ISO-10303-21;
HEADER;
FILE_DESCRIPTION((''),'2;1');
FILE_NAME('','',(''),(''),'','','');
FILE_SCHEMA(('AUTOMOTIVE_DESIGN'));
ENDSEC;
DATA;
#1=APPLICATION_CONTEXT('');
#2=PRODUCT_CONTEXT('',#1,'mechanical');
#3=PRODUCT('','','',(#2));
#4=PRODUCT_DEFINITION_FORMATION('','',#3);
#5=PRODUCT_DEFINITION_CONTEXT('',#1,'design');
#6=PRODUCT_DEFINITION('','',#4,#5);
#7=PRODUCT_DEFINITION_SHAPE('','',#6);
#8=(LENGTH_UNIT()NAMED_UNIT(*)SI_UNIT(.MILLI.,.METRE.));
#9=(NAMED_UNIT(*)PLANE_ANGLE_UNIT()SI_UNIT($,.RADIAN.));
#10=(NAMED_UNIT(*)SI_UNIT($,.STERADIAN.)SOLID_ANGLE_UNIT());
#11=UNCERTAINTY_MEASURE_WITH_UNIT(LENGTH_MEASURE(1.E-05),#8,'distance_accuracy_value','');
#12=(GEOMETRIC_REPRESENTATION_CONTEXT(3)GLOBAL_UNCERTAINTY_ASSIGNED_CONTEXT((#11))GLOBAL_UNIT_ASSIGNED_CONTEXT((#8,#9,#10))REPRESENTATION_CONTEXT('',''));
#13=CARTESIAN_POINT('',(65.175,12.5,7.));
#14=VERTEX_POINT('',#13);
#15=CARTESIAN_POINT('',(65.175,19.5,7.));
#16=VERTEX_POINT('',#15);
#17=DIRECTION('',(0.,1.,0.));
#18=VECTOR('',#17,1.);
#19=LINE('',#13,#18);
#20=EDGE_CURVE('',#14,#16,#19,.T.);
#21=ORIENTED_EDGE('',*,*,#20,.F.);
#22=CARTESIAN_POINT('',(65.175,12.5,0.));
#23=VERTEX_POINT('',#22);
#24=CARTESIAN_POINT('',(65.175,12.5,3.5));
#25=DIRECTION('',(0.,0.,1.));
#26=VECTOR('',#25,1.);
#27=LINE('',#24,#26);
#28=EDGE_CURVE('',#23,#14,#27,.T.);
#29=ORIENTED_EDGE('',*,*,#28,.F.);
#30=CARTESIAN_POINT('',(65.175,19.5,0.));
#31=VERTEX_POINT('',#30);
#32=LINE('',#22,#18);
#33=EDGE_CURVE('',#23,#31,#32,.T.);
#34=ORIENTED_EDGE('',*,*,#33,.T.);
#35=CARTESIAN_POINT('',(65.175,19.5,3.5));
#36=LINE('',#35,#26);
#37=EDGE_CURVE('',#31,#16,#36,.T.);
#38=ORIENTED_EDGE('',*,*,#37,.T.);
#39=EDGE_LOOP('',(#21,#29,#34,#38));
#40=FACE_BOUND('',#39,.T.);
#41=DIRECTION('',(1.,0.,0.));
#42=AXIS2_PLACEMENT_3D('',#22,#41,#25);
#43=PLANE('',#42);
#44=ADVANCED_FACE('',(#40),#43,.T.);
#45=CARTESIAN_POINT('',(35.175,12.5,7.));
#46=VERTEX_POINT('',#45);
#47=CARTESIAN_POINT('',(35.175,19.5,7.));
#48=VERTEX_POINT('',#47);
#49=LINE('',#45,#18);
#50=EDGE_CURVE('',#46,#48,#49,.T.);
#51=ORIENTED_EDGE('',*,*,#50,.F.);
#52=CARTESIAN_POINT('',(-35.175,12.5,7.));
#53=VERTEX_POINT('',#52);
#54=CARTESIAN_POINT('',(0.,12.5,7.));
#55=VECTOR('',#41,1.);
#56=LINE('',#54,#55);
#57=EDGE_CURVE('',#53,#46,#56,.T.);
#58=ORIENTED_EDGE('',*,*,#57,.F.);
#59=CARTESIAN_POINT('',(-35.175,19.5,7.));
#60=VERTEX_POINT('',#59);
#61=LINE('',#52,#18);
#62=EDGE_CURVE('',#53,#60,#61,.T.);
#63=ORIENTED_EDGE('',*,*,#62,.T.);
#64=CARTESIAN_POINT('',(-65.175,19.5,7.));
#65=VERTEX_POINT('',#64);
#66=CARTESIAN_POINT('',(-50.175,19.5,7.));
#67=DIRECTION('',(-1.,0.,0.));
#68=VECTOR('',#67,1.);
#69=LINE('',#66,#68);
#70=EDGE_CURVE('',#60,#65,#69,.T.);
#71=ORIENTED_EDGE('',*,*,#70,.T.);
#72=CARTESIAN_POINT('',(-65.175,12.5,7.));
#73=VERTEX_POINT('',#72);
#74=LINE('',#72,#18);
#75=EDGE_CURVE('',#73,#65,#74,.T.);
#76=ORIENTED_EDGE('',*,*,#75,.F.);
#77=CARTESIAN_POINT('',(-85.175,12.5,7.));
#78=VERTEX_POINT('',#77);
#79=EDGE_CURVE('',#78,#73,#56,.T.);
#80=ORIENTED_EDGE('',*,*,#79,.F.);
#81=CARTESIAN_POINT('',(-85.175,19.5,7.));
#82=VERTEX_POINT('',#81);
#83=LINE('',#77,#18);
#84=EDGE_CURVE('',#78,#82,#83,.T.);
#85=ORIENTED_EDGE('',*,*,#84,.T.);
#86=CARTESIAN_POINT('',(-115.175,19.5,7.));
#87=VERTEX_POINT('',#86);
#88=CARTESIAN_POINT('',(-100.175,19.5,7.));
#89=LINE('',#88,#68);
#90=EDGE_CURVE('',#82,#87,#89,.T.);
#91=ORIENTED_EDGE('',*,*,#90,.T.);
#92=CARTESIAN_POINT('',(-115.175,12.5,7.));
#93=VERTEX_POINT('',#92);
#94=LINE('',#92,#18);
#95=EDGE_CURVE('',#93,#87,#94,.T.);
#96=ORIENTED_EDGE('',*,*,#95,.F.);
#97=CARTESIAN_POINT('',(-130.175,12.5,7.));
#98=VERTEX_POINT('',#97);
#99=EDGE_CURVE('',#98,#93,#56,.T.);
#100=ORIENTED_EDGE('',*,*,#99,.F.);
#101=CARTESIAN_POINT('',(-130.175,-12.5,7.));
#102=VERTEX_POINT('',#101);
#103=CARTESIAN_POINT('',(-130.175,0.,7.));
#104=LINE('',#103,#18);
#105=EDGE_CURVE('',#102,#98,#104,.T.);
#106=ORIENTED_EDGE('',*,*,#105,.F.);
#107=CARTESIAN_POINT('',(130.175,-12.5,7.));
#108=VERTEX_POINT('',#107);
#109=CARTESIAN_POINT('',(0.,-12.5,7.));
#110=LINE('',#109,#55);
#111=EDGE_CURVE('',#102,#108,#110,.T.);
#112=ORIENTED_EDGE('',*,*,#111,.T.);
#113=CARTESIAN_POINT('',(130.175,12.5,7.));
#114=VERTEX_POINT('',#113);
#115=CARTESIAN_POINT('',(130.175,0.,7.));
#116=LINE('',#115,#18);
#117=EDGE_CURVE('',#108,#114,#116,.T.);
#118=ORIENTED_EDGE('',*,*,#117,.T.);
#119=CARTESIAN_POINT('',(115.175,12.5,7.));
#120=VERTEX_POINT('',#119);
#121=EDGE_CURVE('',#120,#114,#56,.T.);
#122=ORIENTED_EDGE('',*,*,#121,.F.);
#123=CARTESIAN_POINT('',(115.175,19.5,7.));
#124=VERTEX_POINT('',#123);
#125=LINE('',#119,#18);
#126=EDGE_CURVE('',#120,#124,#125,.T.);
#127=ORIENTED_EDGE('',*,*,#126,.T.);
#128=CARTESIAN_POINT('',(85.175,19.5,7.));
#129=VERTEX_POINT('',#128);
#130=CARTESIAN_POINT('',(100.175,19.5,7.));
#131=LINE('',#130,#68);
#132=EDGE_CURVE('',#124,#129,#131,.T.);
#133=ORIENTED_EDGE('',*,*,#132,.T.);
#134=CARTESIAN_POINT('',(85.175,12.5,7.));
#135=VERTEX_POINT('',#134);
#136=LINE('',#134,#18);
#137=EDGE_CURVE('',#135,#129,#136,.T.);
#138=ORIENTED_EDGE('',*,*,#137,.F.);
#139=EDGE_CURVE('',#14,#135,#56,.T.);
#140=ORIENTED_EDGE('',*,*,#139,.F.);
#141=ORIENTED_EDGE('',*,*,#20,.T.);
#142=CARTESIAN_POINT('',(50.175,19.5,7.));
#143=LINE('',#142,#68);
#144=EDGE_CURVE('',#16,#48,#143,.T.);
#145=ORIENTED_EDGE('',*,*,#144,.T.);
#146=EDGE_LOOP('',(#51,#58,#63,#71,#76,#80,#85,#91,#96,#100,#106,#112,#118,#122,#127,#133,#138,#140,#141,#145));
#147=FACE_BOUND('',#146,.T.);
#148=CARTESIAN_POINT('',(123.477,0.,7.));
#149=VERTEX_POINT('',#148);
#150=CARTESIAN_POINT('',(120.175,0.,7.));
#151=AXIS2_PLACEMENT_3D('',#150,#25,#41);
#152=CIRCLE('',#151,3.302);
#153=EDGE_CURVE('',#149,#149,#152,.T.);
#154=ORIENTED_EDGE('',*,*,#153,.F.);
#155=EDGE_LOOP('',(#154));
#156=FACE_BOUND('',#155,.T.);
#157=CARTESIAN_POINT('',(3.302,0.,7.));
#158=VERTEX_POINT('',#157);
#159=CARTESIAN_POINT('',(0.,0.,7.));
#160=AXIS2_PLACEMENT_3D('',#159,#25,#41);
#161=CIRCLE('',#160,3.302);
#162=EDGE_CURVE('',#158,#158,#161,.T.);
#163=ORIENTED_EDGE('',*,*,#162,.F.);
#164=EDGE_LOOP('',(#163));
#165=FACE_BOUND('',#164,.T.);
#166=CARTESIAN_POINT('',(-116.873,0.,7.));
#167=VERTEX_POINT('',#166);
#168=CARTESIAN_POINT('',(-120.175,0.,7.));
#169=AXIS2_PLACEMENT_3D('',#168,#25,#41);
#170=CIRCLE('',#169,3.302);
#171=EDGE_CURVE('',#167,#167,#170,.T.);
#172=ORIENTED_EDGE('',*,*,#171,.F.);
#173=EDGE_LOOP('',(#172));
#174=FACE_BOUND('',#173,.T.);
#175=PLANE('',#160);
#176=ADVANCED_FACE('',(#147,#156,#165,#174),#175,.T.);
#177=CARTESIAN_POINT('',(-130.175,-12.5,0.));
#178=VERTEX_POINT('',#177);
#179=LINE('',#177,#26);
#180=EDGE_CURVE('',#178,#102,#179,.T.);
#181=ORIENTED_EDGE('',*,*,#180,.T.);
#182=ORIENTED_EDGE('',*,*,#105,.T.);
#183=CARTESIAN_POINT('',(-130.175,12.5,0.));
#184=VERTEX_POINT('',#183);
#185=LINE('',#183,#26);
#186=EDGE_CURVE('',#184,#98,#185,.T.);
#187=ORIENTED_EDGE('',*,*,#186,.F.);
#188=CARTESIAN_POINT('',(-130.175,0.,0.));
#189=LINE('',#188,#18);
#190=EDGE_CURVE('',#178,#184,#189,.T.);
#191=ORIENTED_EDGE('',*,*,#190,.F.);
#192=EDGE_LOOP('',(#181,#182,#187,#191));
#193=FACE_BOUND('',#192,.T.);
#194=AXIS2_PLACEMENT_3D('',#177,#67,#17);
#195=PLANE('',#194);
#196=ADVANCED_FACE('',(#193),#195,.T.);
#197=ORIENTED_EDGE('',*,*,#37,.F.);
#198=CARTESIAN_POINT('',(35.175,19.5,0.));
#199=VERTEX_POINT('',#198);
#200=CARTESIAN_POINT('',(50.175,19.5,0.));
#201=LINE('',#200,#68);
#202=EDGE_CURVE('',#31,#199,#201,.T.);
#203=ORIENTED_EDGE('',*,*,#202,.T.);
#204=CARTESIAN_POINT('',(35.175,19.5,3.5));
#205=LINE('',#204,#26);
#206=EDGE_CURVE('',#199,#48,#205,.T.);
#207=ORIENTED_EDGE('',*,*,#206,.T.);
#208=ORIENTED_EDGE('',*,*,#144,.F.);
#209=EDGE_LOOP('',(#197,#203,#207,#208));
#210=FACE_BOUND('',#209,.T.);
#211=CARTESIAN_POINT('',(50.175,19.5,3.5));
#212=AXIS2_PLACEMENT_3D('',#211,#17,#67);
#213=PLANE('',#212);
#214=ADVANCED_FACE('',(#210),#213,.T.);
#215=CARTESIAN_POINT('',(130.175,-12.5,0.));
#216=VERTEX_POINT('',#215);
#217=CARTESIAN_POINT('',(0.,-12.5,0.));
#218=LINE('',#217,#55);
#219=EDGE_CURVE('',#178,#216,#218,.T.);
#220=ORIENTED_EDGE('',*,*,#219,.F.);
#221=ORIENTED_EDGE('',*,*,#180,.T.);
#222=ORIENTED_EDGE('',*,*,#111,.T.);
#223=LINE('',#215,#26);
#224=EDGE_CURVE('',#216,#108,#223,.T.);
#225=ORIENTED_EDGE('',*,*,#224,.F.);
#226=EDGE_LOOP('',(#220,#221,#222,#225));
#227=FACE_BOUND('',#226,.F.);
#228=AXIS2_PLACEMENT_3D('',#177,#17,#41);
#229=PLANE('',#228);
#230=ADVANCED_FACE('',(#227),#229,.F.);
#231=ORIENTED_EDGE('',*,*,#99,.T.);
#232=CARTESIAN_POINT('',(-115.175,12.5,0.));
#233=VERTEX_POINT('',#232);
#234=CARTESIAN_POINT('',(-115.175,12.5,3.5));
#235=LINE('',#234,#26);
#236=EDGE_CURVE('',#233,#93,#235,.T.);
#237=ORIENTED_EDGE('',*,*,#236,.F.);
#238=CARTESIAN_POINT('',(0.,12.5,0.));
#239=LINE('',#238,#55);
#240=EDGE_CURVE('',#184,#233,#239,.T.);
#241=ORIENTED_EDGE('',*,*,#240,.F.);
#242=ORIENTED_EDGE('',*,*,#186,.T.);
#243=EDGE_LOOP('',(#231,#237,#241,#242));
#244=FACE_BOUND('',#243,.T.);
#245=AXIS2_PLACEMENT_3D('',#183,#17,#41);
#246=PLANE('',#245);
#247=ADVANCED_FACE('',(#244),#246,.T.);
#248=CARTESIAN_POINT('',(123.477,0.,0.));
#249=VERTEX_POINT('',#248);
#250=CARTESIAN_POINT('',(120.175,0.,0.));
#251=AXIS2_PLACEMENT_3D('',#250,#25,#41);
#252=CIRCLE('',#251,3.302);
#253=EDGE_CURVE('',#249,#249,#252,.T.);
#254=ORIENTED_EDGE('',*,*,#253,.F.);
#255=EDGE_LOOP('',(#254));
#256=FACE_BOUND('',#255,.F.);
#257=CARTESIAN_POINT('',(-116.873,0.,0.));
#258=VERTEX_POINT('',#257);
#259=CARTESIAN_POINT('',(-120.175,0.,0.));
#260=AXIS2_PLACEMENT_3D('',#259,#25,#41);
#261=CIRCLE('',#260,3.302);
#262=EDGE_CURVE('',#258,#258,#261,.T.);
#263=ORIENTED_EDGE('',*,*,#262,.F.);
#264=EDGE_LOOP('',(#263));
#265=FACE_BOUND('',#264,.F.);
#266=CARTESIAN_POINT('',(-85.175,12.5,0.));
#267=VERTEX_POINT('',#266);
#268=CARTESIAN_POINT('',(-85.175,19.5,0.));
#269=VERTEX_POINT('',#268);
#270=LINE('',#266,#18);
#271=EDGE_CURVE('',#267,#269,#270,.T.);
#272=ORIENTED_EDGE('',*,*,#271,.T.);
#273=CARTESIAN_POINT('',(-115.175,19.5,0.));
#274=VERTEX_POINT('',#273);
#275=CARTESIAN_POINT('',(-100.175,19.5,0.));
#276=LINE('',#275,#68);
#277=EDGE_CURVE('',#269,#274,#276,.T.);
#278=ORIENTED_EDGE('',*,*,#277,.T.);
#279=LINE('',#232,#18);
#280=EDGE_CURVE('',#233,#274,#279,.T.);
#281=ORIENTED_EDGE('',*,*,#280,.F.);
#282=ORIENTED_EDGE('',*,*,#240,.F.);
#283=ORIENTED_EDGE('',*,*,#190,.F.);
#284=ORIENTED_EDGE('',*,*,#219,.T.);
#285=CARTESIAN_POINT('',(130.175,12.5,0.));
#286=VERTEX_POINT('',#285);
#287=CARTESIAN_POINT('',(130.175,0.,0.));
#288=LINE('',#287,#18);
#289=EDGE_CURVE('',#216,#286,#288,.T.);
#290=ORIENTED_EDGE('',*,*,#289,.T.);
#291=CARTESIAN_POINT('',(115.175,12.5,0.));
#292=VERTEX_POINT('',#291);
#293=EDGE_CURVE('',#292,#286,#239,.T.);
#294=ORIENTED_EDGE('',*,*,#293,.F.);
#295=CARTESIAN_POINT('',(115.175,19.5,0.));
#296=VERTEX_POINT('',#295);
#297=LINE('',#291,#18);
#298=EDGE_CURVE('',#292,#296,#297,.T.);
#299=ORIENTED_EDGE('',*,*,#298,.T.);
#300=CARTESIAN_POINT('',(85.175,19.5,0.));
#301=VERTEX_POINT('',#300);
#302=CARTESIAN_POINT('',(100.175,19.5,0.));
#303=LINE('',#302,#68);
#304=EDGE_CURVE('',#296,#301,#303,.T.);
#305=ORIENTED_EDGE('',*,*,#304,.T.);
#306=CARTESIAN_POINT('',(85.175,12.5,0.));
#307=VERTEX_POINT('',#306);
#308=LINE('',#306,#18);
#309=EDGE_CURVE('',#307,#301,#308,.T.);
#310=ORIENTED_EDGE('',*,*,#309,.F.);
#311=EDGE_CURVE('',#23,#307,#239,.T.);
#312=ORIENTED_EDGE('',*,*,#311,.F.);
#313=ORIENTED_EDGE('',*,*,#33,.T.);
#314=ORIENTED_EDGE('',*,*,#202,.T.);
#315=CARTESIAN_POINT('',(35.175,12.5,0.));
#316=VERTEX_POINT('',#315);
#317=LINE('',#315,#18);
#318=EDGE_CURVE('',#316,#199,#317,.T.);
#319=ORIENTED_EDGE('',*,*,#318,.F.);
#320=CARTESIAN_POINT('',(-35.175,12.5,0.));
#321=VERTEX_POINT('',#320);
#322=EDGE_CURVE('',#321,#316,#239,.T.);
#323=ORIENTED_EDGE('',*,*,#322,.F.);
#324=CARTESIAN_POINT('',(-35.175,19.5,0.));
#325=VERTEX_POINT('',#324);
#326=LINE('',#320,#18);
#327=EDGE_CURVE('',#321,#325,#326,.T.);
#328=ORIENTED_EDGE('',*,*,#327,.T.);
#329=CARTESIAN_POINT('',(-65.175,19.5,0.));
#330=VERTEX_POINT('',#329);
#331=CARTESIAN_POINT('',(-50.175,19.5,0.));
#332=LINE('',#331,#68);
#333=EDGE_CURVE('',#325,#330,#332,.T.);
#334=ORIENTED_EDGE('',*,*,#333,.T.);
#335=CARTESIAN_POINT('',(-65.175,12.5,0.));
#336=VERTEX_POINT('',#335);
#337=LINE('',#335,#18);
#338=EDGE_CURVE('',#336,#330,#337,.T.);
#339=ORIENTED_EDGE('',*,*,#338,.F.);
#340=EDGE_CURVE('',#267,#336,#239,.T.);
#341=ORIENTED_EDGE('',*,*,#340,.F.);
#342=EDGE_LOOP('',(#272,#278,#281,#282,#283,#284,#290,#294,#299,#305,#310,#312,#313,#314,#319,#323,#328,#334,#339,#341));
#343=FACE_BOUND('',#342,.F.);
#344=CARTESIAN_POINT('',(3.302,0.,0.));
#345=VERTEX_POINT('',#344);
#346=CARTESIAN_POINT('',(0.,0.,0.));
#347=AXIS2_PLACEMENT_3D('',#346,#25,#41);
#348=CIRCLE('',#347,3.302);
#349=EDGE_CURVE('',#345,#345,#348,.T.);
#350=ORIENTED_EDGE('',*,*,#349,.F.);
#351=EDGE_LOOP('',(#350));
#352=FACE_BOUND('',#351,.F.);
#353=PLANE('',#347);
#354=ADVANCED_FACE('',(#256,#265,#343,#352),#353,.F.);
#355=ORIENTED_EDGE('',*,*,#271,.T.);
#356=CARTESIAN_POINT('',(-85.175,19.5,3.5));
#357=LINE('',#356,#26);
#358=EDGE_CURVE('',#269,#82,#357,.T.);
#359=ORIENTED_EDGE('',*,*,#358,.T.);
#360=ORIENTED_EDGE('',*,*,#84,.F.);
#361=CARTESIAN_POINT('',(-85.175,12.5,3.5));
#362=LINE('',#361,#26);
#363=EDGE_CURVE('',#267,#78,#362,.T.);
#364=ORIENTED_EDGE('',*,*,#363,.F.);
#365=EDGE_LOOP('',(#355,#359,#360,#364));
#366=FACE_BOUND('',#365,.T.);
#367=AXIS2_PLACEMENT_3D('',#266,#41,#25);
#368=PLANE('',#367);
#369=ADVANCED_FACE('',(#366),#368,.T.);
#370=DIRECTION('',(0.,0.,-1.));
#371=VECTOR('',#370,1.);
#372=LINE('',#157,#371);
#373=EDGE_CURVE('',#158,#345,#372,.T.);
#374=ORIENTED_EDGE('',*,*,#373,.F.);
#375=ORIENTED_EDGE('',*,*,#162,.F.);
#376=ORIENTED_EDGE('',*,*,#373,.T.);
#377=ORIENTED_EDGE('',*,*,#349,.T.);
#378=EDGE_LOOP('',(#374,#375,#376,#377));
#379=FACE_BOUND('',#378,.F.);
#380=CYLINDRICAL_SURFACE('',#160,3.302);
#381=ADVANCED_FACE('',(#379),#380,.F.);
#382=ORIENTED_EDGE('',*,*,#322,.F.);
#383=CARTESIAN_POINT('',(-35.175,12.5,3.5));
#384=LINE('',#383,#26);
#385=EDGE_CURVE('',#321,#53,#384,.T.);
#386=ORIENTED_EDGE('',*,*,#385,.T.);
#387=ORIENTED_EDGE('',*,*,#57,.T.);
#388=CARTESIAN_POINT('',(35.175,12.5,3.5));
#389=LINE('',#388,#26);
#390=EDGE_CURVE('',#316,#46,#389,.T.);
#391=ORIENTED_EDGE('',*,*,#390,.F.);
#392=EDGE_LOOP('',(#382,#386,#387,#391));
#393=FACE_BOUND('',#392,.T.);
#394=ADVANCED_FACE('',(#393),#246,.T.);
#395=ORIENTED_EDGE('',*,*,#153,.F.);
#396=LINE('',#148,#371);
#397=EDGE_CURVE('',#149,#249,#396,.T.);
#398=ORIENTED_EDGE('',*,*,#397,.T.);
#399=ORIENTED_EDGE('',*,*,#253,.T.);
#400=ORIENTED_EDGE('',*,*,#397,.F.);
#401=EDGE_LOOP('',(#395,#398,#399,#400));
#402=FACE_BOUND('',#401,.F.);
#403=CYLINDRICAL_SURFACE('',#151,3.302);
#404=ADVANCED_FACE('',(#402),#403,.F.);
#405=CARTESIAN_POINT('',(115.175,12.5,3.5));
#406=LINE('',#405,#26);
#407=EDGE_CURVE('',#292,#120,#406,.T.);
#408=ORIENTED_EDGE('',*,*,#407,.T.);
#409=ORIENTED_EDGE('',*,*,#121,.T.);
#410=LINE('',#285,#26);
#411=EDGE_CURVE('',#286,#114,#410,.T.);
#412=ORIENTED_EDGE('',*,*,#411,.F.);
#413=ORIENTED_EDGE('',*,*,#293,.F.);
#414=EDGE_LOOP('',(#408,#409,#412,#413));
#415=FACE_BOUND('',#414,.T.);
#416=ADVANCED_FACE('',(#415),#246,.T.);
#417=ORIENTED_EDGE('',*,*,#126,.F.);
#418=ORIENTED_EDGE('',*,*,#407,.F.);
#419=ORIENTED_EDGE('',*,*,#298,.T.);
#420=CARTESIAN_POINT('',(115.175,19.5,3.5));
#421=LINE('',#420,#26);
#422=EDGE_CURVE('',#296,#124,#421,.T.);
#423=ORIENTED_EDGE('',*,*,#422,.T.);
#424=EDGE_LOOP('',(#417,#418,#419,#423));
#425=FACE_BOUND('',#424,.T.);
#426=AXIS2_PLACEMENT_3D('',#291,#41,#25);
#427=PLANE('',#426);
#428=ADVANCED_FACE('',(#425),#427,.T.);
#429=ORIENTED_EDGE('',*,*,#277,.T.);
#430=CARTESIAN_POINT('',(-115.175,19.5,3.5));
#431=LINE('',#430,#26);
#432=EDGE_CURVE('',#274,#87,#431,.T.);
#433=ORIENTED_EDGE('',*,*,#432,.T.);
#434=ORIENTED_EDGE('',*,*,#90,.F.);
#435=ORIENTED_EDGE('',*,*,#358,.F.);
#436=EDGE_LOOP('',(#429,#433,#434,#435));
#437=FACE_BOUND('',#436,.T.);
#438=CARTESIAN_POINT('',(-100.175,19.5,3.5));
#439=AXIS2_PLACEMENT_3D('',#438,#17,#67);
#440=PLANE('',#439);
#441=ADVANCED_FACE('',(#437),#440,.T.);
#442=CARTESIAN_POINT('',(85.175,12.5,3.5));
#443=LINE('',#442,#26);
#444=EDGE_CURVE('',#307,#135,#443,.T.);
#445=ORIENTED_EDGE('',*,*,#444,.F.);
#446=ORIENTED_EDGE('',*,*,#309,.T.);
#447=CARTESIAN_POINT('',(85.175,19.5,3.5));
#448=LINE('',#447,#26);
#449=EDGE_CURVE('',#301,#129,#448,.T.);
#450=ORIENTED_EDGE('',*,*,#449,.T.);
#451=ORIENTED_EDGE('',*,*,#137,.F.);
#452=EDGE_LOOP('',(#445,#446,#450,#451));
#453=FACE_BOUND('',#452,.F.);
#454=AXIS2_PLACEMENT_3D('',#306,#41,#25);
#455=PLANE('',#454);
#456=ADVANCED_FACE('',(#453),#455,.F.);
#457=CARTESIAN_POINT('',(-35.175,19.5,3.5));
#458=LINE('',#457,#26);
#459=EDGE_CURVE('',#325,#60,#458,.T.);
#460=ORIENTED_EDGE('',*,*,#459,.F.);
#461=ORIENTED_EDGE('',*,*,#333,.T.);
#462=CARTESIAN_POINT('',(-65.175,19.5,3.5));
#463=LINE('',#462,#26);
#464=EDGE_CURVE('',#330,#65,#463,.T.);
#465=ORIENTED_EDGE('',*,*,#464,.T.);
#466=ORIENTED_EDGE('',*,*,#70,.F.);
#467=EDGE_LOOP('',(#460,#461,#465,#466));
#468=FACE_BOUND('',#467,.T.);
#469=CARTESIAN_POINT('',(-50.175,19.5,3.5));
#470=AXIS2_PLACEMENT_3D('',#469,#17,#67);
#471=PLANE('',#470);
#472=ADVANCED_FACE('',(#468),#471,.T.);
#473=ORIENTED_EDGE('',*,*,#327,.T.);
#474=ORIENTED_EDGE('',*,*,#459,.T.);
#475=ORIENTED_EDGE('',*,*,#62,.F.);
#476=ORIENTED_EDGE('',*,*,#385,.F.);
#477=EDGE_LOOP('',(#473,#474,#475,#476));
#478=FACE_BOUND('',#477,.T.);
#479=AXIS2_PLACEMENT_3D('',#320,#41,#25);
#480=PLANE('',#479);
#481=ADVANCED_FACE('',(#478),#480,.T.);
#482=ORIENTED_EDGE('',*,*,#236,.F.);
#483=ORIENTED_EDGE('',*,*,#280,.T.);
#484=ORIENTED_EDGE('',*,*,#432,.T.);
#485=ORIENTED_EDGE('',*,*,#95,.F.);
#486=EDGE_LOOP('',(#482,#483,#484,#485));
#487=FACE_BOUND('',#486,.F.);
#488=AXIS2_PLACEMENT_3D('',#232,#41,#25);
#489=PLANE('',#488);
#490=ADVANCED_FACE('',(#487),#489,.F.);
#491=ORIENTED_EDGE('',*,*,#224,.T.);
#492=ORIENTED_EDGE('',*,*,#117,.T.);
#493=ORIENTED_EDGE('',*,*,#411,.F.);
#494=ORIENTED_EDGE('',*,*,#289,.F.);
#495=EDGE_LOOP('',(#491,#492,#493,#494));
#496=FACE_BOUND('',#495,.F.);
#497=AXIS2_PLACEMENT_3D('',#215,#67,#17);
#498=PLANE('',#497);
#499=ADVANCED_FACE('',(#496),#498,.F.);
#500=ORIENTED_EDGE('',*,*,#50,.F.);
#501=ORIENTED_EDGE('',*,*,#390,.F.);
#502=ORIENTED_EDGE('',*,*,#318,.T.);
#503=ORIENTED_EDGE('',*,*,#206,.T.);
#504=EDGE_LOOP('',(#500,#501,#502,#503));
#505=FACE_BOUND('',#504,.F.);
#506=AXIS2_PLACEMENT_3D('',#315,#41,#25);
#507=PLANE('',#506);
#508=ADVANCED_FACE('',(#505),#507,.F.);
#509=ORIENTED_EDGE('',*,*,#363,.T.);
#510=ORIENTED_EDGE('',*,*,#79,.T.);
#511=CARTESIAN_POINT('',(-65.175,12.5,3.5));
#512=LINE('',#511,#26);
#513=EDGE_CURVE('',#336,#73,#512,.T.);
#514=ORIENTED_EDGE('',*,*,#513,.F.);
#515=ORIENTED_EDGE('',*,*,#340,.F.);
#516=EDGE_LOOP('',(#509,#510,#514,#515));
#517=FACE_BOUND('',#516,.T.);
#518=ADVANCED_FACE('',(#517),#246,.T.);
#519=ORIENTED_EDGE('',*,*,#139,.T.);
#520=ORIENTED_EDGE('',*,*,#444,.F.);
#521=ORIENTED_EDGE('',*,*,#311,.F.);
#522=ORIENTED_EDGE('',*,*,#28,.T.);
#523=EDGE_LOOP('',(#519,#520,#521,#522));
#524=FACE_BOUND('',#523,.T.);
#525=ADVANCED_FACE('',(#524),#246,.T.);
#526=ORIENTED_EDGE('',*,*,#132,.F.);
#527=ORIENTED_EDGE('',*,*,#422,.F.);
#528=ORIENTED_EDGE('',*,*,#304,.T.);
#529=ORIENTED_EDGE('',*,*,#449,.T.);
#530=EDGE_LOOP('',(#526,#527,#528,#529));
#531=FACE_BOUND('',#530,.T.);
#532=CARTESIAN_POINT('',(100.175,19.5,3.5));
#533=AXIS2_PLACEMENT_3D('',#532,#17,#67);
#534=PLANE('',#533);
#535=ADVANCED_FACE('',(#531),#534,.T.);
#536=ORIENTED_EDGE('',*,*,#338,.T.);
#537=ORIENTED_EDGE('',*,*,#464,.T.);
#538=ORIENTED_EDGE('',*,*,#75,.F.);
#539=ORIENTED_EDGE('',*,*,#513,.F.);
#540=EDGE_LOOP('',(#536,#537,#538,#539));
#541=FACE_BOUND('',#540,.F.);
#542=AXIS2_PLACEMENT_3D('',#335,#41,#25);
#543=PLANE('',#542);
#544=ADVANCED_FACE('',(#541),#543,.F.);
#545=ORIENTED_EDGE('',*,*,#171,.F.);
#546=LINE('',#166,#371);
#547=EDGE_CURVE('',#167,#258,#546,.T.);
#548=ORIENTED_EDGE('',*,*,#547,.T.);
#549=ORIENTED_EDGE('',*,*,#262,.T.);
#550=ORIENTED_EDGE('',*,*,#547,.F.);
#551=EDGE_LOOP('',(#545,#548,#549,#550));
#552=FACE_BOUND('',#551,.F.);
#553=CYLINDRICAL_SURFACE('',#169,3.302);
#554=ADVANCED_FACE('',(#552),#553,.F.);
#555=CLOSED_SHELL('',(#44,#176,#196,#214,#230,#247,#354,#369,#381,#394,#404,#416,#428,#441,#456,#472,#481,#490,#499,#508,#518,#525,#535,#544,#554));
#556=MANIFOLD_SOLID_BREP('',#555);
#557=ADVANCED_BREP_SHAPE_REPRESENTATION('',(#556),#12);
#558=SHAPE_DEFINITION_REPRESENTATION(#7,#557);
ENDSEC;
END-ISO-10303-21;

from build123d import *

# Parameters (mm, degrees)
F0_W     = 260.35
F0_H     = 25
F1_DEPTH = 7
F2_R     = 3.302
F3_DEPTH = 7
F4_W     = 30
F4_H     = 7
F5_DEPTH = 7


with BuildPart() as f1:
    # F0 (on Top) → F1 (new body)
    with BuildSketch(Plane.XY):
        Rectangle(F0_W, F0_H)
    extrude(amount=F1_DEPTH)

    # F2 (on face) → F3 (cut, through all)
    with BuildSketch(Plane.XY.offset(7)):
        with Locations((-120.175, 0)):
            Circle(F2_R)
        Circle(F2_R)
        with Locations((120.175, 0)):
            Circle(F2_R)
    extrude(amount=-F3_DEPTH, mode=Mode.SUBTRACT)

    # F4 (on face) → F5 (join)
    with BuildSketch(Plane(origin=(0, 12.5, 0), x_dir=(-1, 0, 0), z_dir=(0, 1, 0))):
        with Locations((100.175, 3.5)):
            Rectangle(F4_W, F4_H)
        with Locations((50.175, 3.5)):
            Rectangle(F4_W, F4_H)
        with Locations((-50.175, 3.5)):
            Rectangle(F4_W, F4_H)
        with Locations((-100.175, 3.5)):
            Rectangle(F4_W, F4_H)
    extrude(amount=F5_DEPTH)


solid = f1.part
